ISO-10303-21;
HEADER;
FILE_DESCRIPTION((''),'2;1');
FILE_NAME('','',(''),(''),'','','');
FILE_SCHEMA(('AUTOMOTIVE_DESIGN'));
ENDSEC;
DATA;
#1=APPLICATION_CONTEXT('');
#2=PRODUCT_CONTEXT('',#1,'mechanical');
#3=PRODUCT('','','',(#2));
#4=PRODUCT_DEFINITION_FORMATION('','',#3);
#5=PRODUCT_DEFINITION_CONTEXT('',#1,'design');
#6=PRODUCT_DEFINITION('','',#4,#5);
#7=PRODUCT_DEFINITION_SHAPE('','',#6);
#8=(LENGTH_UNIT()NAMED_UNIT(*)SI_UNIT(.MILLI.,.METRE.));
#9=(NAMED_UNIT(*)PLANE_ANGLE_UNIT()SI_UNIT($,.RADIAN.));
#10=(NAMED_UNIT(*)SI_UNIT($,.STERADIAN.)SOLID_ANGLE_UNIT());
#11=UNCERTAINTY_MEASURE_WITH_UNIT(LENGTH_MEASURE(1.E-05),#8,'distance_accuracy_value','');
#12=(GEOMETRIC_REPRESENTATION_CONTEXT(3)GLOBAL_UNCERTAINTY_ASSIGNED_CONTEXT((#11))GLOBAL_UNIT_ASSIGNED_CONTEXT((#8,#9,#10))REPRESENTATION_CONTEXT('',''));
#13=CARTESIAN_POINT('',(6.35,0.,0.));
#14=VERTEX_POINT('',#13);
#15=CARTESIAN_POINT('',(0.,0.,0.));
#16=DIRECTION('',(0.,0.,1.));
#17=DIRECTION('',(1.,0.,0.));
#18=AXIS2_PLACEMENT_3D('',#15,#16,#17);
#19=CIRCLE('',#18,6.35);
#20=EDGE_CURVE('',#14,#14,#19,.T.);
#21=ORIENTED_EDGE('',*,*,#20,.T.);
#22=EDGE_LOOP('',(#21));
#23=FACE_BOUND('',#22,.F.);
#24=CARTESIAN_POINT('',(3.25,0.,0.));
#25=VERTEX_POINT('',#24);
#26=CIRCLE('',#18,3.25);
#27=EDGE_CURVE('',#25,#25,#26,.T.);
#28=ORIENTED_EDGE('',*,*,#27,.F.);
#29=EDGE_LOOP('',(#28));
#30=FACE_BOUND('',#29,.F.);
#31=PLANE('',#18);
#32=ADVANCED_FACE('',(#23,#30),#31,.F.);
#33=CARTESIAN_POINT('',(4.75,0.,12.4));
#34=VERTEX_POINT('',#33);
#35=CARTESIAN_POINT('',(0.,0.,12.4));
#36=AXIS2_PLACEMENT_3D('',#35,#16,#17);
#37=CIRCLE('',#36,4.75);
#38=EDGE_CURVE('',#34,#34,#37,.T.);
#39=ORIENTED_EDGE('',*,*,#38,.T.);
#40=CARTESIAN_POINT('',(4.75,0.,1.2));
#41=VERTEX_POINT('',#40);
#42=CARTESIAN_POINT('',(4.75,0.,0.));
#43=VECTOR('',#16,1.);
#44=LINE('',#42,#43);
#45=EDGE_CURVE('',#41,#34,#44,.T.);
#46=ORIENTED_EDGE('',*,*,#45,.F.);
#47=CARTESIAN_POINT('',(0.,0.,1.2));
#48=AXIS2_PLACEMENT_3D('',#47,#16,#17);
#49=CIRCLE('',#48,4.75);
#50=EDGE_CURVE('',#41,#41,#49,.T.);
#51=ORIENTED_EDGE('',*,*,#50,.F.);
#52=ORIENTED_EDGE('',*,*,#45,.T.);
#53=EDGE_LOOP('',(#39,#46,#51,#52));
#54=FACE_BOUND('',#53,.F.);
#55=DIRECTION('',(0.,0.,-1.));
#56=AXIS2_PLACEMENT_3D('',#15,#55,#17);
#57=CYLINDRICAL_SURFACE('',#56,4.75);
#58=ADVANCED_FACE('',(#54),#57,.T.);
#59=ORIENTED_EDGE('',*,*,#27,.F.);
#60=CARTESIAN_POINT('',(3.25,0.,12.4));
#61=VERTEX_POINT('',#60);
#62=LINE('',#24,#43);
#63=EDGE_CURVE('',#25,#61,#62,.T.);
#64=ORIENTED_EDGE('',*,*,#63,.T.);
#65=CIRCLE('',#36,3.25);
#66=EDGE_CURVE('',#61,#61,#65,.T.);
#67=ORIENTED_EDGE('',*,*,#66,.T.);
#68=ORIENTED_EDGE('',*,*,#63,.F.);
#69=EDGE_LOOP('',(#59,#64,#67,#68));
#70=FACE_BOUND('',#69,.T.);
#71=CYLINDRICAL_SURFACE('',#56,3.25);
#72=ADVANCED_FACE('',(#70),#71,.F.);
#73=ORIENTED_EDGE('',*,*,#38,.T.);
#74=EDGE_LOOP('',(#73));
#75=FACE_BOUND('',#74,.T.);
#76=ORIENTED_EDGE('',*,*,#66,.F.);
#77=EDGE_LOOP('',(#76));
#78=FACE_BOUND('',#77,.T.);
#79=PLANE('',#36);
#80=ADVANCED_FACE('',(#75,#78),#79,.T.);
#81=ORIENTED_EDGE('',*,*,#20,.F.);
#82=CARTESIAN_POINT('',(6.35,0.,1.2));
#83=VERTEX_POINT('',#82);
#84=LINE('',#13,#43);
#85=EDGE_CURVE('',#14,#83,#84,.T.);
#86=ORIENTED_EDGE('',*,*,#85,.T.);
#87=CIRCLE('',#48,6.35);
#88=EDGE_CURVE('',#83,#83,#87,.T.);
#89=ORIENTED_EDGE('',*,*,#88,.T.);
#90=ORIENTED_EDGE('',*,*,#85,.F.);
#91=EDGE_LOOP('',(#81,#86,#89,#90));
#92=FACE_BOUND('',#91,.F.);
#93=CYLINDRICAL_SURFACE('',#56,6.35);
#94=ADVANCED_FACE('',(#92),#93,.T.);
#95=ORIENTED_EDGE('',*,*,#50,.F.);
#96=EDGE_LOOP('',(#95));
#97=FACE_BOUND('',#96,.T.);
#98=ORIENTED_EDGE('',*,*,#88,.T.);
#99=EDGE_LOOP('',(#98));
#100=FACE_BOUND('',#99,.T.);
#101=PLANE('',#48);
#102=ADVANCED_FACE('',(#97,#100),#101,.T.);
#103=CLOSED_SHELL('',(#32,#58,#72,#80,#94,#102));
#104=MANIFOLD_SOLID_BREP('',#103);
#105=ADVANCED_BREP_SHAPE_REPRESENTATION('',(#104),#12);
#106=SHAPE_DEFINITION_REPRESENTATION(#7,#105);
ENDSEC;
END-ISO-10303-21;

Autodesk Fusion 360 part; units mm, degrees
sketch "Sketch1" plane through (0, 0, 0) normal (0, 0, 1) x (1, 0, 0)
  circle A0 centre (0, 0) radius 3.25
  circle A1 centre (0, 0) radius 4.75
  circle A2 centre (0, 0) radius 6.35
  dimension "d1" = 6.5
  dimension "d2" = 9.5
  dimension "d3" = 12.7
extrude "Extrude1" add sketch "Sketch1" along normal blind 1.2 contours A2
extrude "Extrude2" add sketch "Sketch1" along normal blind 13.6 contours A1
extrude "Extrude3" cut 1 faces at (4.2202, -0.3974, 13.6) along direction (0, 0, -1) blind 1.2
